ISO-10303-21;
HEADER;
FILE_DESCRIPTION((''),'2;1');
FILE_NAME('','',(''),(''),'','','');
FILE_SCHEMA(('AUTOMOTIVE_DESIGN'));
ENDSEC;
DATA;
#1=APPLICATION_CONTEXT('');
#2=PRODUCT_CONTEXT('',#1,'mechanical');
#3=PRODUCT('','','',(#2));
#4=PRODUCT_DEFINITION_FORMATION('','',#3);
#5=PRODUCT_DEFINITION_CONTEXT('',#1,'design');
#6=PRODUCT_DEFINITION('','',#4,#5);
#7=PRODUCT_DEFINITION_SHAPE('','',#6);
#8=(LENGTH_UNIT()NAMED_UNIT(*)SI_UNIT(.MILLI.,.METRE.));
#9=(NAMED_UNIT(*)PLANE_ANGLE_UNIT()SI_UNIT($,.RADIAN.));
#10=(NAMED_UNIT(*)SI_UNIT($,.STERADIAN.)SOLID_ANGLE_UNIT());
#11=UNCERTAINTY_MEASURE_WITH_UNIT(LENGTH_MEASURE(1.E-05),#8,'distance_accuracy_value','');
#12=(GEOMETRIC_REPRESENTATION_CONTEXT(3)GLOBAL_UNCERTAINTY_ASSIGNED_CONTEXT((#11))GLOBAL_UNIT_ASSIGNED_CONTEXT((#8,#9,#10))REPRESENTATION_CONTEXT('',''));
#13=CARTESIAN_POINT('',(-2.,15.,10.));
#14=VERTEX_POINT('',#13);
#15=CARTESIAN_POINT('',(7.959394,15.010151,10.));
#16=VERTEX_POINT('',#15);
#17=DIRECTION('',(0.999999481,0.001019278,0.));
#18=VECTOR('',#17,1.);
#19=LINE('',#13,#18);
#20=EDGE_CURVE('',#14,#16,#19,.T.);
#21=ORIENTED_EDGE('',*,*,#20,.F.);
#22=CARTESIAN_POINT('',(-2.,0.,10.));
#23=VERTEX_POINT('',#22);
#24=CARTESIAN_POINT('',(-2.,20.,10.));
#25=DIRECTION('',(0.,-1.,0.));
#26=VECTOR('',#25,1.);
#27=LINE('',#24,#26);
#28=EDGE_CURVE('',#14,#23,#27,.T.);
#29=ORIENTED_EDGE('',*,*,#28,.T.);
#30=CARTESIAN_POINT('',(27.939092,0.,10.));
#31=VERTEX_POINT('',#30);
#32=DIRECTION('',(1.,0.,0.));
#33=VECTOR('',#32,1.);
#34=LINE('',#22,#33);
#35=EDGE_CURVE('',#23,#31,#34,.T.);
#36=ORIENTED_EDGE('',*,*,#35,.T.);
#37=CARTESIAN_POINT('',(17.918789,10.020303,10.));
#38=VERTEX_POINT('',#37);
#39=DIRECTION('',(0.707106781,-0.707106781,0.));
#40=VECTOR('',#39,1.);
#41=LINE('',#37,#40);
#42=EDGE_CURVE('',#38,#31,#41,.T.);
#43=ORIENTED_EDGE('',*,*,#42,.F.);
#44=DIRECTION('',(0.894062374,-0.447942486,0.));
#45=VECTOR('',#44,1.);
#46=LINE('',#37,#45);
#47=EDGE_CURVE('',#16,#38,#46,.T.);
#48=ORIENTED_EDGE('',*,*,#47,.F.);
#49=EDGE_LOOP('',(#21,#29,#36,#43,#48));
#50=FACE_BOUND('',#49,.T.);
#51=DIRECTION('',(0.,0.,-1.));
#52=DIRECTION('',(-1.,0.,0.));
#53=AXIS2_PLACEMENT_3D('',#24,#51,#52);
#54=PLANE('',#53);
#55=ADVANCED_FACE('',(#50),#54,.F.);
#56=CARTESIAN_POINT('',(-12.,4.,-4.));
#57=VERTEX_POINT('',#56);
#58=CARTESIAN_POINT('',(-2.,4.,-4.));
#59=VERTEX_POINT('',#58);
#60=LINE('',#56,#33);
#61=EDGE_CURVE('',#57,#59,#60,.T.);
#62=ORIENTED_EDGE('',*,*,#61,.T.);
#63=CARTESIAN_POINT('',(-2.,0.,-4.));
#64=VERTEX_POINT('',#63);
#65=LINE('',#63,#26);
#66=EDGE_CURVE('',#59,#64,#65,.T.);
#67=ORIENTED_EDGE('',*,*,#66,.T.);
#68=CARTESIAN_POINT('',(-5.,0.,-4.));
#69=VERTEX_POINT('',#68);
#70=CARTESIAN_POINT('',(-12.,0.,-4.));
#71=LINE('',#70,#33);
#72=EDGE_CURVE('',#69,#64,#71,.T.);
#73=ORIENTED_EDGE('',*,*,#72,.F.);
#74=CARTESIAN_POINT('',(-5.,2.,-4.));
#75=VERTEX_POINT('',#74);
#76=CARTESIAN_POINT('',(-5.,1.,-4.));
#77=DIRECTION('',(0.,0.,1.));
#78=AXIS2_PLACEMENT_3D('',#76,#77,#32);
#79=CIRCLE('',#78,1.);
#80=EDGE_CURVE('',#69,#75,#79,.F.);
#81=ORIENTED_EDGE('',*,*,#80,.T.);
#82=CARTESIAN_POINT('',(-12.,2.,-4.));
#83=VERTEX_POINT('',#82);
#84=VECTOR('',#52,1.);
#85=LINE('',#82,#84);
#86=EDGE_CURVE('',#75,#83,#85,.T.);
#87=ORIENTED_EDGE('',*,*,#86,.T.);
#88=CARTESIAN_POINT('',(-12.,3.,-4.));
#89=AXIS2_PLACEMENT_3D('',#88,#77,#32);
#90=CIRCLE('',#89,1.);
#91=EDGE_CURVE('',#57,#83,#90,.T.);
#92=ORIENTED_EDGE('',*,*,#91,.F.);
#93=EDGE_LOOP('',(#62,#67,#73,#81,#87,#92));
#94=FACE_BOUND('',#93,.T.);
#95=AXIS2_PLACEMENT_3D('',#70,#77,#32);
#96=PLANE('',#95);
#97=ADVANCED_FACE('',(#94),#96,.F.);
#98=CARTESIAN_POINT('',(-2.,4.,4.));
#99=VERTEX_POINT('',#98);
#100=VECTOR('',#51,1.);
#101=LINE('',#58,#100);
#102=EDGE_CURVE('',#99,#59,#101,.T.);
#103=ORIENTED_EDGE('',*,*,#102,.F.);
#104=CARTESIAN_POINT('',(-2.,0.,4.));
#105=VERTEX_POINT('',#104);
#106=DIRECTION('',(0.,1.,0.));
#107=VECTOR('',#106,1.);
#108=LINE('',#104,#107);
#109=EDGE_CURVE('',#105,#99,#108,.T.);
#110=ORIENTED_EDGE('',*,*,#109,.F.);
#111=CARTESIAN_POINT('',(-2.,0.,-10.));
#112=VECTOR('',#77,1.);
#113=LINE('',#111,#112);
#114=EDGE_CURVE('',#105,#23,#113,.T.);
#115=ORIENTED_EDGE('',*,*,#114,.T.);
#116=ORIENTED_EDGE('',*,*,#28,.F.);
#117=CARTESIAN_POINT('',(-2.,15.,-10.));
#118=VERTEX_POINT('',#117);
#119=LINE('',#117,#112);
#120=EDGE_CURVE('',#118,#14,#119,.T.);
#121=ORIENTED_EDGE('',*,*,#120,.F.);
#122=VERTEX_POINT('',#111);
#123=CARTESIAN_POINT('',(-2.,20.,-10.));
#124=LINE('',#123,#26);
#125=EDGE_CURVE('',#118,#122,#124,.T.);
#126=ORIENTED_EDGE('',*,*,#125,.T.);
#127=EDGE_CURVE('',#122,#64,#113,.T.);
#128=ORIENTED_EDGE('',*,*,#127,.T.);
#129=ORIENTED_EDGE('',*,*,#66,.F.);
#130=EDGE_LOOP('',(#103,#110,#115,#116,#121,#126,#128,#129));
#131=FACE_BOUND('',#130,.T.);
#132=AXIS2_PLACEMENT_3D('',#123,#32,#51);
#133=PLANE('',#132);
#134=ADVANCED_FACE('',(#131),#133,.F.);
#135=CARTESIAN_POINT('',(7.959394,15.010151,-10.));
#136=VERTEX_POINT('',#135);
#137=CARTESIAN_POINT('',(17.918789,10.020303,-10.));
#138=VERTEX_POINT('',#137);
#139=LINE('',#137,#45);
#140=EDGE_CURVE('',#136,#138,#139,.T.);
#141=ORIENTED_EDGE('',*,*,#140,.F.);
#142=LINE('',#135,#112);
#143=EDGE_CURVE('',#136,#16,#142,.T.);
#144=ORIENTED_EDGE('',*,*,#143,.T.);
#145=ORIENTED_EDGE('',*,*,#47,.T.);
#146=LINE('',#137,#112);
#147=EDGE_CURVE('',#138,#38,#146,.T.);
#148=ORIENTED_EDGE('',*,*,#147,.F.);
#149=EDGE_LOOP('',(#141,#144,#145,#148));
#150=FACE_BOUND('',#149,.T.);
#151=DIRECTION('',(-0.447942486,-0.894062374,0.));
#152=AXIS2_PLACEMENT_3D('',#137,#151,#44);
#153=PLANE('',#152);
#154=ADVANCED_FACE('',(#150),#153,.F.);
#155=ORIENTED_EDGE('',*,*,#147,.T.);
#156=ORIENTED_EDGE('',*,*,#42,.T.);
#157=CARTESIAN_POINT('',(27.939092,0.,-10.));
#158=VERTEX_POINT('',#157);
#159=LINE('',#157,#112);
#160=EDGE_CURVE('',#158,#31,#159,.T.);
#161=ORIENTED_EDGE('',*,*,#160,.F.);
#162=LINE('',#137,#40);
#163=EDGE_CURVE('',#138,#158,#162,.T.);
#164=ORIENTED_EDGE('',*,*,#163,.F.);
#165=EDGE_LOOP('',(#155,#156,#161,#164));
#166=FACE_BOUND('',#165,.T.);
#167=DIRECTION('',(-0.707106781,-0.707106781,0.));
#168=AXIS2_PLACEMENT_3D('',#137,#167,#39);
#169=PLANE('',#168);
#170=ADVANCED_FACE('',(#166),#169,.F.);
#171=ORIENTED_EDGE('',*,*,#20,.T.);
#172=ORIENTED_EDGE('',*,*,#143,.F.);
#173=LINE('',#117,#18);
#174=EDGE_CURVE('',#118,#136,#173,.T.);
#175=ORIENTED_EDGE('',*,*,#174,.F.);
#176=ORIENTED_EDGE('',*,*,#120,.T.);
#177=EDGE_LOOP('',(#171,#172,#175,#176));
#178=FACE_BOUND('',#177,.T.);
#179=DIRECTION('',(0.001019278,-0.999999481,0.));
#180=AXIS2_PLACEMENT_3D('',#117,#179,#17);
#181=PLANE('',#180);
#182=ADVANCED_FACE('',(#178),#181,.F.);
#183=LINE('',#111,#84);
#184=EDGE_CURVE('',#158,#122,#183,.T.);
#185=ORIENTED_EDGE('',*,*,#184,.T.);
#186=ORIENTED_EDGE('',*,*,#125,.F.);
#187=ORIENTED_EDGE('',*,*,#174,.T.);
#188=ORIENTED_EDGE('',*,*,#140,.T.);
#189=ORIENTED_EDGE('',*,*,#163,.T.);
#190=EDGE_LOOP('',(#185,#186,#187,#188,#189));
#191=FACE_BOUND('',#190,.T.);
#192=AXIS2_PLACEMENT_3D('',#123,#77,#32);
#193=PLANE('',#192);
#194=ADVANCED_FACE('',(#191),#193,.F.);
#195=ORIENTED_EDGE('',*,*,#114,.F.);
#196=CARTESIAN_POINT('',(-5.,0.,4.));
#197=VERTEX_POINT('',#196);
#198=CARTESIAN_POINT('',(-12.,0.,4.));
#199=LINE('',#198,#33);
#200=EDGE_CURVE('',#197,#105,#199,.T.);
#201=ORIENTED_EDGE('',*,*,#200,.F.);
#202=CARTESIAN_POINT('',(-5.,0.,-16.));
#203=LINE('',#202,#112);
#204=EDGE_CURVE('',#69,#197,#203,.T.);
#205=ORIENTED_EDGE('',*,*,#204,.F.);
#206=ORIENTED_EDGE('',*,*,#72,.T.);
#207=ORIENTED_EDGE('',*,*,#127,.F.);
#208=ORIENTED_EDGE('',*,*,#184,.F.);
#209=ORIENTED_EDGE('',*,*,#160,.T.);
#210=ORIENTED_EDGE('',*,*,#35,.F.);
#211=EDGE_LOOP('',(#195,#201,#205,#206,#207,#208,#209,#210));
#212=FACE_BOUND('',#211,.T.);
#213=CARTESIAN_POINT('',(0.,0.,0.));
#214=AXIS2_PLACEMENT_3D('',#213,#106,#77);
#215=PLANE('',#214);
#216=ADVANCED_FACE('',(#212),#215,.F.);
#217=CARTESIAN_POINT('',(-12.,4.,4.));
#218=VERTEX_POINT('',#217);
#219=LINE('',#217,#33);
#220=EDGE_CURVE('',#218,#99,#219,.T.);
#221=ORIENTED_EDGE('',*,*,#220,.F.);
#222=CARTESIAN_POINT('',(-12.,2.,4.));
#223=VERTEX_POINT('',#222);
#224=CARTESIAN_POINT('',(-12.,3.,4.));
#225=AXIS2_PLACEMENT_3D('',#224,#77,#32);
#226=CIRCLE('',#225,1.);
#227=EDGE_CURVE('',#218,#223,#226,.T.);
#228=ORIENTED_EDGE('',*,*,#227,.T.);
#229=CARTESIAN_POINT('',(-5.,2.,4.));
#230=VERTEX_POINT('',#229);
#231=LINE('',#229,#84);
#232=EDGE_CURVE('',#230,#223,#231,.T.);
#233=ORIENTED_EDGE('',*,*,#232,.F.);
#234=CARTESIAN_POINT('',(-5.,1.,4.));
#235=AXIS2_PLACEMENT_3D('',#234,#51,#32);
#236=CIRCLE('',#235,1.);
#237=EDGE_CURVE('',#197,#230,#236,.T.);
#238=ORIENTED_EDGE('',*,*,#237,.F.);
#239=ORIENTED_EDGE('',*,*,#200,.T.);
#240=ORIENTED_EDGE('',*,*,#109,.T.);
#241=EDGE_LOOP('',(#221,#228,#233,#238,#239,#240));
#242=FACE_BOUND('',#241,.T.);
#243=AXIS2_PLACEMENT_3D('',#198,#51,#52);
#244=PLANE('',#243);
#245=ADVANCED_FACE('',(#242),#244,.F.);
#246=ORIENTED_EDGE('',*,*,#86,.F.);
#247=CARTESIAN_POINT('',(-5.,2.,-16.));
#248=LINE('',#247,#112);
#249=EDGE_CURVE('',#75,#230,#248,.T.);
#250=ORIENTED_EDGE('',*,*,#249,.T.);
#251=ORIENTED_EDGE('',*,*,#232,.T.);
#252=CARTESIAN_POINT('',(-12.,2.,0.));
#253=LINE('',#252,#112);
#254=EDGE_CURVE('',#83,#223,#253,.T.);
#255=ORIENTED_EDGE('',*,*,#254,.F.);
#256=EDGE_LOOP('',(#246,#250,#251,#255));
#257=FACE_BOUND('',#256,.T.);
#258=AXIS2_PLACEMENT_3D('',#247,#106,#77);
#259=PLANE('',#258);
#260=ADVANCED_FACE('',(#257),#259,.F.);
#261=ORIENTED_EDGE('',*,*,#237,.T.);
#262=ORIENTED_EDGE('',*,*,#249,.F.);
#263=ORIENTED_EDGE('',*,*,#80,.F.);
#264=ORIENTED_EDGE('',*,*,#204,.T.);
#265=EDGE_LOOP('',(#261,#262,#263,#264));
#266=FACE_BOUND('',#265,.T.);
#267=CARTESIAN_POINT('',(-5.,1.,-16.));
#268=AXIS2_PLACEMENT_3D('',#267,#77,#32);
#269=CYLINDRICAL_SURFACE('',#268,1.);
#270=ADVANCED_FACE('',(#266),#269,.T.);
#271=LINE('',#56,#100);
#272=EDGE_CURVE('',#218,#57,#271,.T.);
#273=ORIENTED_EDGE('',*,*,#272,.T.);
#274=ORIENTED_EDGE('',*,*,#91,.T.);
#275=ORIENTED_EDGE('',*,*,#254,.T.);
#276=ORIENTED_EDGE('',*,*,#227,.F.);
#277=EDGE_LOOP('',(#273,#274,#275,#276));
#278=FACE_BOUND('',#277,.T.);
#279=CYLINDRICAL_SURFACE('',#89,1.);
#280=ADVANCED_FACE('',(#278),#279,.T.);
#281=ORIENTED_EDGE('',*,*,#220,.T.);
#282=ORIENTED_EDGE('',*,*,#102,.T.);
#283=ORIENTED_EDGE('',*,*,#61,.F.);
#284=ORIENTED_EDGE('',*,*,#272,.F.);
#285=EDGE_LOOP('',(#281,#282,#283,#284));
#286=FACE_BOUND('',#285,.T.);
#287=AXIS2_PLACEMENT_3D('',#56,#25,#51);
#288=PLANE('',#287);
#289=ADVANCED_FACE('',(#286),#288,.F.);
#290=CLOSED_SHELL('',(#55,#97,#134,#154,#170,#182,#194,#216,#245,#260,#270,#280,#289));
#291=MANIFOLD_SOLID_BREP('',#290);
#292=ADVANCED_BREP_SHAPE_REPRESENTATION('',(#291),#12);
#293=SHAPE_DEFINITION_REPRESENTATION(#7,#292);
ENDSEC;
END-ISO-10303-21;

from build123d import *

# Parameters (mm, degrees)
SKETCH_1_W          = 40
SKETCH_1_H          = 20
EXTRUDE_1_DEPTH     = 20
SKETCH_2_W          = 8
SKETCH_2_H          = 4
EXTRUDE_2_DEPTH     = 10
CUT_EXTRUDE_8_DEPTH = 20
SKETCH_13_R         = 1
EXTRUDE_5_DEPTH     = 8
CUT_EXTRUDE_9_DEPTH = 20


with BuildPart() as part:
    # 草图1 → 凸台-拉伸1 (new body)
    with BuildSketch(Plane(origin=(0, 0, 0), x_dir=(1, 0, 0), z_dir=(0, 1, 0))):
        with Locations((18, 0)):
            Rectangle(SKETCH_1_W, SKETCH_1_H)
    extrude(amount=EXTRUDE_1_DEPTH)

    # 草图2 → 凸台-拉伸2 (add)
    with BuildSketch(Plane.ZY.offset(2)):
        with Locations((0, 2)):
            Rectangle(SKETCH_2_W, SKETCH_2_H)
    extrude(amount=EXTRUDE_2_DEPTH)

    # 草图12 → 切除-拉伸8 (cut)
    with BuildSketch(Plane.XY.offset(4)):
        with BuildLine():
            Line((-5, 2), (-18.474771325, 2))
            Line((-18.474771325, 2), (-18.474771325, 0))
            Line((-18.474771325, 0), (-5, 0))
            ThreePointArc((-5, 0), (-6, 1), (-5, 2))
        make_face()
    extrude(amount=-CUT_EXTRUDE_8_DEPTH, mode=Mode.SUBTRACT)

    # 草图13 → 凸台-拉伸5 (add)
    with BuildSketch(Plane.XY.offset(4)):
        with Locations((-12, 3)):
            Circle(SKETCH_13_R)
    extrude(amount=-EXTRUDE_5_DEPTH)

    # 草图14 → 切除-拉伸9 (cut)
    with BuildSketch(Plane.XY.offset(10)):
        Polygon((40.736846826, 20.947387303), (-2, 20), (-2, 15), (7.959394399, 15.0101514), (17.918788798, 10.020302801), (27.939091598, 0), (43.275764459, 0), align=None)
    extrude(amount=-CUT_EXTRUDE_9_DEPTH, mode=Mode.SUBTRACT)


solid = part.part
